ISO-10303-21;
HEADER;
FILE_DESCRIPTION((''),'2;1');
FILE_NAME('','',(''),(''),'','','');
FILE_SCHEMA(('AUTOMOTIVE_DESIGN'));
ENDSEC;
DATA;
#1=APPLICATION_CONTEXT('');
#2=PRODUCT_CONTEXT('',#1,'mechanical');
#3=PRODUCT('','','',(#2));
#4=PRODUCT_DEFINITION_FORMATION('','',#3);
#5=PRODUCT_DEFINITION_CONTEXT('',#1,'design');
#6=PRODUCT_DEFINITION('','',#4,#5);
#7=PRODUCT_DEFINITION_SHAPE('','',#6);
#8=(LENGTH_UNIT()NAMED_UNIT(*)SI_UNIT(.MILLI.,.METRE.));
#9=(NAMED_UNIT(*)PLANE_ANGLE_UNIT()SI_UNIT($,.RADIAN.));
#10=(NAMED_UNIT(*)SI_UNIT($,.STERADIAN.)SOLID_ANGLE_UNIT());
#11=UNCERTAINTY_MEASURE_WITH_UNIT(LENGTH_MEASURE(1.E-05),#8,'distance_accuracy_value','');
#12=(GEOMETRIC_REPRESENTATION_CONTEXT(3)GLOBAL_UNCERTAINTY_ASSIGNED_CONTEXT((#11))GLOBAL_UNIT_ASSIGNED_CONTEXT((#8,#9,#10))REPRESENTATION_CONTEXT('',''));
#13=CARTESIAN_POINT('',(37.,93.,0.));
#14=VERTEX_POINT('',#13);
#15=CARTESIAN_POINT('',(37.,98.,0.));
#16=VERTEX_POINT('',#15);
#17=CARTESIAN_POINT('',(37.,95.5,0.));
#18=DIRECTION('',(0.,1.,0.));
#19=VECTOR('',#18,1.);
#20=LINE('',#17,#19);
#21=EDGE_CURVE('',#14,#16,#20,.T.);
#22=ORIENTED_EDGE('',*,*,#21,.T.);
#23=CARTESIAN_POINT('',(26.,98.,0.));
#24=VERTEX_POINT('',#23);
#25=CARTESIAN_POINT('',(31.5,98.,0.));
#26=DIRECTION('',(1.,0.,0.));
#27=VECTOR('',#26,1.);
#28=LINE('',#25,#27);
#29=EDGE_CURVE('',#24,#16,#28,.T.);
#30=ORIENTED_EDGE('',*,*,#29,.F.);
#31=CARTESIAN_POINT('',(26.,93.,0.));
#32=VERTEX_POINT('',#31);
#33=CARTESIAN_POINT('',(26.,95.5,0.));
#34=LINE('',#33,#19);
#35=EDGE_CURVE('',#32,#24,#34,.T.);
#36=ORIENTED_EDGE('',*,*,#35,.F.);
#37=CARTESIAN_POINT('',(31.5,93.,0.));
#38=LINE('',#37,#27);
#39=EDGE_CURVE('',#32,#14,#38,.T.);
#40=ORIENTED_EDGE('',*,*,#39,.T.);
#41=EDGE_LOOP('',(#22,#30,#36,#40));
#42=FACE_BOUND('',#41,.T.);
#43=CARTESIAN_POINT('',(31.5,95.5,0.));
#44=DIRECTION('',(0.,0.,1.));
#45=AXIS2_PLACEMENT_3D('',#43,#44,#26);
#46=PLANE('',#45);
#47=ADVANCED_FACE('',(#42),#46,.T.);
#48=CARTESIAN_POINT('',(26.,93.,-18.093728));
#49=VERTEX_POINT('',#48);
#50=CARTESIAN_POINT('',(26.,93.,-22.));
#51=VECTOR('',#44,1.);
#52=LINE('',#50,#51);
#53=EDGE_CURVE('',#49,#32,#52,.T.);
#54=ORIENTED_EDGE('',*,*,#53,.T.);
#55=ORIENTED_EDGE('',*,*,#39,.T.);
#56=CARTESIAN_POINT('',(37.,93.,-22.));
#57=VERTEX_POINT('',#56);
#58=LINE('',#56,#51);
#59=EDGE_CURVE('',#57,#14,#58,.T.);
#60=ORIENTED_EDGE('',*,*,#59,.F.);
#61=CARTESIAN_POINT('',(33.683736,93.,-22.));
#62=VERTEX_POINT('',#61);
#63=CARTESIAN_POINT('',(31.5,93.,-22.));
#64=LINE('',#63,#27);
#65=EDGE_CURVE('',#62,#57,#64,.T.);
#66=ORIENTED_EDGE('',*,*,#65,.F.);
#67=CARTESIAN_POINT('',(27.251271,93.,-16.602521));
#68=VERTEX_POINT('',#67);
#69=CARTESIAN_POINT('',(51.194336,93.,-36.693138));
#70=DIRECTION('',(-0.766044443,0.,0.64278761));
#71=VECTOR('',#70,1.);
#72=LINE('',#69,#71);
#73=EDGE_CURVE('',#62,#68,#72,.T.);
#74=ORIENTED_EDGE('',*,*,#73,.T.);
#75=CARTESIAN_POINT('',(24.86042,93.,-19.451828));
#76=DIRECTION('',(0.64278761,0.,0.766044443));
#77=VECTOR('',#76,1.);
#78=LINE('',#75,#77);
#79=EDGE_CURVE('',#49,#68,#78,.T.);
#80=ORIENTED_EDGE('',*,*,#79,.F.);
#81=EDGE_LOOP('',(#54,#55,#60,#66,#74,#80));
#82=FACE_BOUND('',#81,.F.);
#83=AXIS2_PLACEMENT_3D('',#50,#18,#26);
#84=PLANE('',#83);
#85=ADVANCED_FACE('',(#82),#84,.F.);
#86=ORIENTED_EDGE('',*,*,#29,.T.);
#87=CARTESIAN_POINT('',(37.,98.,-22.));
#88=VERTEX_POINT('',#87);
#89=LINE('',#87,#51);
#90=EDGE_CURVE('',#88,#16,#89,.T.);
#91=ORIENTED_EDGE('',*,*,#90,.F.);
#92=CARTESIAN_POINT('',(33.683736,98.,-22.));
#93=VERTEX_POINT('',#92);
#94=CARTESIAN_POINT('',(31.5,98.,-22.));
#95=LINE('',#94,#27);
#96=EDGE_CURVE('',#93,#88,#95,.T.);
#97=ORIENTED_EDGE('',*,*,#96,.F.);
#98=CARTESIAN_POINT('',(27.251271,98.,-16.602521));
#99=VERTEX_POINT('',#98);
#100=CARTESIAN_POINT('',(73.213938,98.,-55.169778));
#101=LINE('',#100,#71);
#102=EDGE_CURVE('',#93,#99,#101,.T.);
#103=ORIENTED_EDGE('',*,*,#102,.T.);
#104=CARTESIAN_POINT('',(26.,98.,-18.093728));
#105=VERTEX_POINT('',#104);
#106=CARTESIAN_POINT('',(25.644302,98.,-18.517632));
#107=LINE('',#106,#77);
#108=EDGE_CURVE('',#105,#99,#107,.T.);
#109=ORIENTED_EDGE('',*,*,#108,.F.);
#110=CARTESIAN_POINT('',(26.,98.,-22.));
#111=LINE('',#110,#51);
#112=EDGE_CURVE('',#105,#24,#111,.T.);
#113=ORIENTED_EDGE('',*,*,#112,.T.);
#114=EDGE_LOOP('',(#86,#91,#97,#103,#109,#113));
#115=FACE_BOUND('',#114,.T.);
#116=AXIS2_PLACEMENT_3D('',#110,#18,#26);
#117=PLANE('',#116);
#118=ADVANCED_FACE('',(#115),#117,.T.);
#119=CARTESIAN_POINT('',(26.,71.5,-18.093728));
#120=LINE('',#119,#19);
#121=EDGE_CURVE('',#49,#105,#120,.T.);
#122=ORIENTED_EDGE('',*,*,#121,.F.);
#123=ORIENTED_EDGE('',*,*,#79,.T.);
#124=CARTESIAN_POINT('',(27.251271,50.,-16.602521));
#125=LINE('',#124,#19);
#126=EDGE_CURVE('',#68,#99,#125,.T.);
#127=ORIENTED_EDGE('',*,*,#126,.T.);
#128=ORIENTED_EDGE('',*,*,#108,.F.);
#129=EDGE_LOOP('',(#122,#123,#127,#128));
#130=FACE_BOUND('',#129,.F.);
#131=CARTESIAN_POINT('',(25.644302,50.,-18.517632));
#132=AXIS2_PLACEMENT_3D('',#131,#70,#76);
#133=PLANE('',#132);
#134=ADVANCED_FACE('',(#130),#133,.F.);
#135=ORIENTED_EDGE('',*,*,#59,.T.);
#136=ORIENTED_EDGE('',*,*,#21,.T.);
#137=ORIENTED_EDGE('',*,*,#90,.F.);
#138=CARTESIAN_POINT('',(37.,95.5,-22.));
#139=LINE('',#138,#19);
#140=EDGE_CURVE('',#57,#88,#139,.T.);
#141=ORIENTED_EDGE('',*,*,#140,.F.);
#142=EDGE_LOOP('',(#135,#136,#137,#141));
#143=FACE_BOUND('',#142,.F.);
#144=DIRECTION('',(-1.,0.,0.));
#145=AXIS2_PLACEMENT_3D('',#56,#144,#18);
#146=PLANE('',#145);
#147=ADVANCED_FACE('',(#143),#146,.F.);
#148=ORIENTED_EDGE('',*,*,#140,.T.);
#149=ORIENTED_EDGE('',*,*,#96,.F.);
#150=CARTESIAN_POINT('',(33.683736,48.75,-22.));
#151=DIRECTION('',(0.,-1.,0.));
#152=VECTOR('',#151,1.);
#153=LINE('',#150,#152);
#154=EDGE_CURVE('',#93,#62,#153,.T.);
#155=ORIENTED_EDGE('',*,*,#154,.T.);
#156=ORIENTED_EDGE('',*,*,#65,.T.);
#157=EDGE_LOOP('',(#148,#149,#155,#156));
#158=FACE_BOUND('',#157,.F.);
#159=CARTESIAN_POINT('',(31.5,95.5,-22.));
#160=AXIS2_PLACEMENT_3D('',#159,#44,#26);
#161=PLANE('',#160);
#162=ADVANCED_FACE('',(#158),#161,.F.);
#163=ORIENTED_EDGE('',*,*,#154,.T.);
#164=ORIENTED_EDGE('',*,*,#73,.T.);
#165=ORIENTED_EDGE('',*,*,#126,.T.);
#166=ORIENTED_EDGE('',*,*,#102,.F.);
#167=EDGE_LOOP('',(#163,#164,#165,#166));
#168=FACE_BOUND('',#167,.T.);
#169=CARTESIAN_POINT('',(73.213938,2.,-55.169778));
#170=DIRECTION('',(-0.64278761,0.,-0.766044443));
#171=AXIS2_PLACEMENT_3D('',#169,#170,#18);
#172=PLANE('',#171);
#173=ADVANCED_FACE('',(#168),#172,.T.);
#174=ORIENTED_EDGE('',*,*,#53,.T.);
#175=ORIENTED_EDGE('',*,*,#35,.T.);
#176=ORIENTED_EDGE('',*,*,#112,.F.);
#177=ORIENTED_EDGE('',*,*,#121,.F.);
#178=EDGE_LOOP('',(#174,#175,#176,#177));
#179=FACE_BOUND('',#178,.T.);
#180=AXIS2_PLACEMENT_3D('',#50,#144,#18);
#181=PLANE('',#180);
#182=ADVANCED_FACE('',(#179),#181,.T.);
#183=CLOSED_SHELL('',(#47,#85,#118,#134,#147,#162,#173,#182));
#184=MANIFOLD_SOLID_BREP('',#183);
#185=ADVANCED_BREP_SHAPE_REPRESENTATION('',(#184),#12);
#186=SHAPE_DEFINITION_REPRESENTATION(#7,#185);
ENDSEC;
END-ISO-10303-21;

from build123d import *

# Parameters (mm, degrees)
BOX019_W               = 5
BOX019_H               = 96
BOX019_DEPTH           = 60
BOX019_PLACEMENT_ANGLE = 310
BOX018_W               = 11
BOX018_H               = 5
BOX018_DEPTH           = 22


with BuildPart() as cube019:
    # Box019 → Box019 (new body)
    with BuildSketch(Plane.XY):
        with Locations((2.5, 48)):
            Rectangle(BOX019_W, BOX019_H)
    extrude(amount=BOX019_DEPTH)


with BuildPart() as cube019_1:
    # Box019 placement: moved
    add(cube019.part.moved(Location((70, 2, -59))).rotate(Axis((70, 2, -59), (0, 1, 0)), BOX019_PLACEMENT_ANGLE))


with BuildPart() as cut010:
    # Box018 → Box018 (new body)
    with BuildSketch(Plane(origin=(26, 93, -22), x_dir=(1, 0, 0), z_dir=(0, 0, 1))):
        with Locations((5.5, 2.5)):
            Rectangle(BOX018_W, BOX018_H)
    extrude(amount=BOX018_DEPTH)

    # Cut010: cut Cube019
    add(cube019_1.part, mode=Mode.SUBTRACT)


solid = cut010.part
